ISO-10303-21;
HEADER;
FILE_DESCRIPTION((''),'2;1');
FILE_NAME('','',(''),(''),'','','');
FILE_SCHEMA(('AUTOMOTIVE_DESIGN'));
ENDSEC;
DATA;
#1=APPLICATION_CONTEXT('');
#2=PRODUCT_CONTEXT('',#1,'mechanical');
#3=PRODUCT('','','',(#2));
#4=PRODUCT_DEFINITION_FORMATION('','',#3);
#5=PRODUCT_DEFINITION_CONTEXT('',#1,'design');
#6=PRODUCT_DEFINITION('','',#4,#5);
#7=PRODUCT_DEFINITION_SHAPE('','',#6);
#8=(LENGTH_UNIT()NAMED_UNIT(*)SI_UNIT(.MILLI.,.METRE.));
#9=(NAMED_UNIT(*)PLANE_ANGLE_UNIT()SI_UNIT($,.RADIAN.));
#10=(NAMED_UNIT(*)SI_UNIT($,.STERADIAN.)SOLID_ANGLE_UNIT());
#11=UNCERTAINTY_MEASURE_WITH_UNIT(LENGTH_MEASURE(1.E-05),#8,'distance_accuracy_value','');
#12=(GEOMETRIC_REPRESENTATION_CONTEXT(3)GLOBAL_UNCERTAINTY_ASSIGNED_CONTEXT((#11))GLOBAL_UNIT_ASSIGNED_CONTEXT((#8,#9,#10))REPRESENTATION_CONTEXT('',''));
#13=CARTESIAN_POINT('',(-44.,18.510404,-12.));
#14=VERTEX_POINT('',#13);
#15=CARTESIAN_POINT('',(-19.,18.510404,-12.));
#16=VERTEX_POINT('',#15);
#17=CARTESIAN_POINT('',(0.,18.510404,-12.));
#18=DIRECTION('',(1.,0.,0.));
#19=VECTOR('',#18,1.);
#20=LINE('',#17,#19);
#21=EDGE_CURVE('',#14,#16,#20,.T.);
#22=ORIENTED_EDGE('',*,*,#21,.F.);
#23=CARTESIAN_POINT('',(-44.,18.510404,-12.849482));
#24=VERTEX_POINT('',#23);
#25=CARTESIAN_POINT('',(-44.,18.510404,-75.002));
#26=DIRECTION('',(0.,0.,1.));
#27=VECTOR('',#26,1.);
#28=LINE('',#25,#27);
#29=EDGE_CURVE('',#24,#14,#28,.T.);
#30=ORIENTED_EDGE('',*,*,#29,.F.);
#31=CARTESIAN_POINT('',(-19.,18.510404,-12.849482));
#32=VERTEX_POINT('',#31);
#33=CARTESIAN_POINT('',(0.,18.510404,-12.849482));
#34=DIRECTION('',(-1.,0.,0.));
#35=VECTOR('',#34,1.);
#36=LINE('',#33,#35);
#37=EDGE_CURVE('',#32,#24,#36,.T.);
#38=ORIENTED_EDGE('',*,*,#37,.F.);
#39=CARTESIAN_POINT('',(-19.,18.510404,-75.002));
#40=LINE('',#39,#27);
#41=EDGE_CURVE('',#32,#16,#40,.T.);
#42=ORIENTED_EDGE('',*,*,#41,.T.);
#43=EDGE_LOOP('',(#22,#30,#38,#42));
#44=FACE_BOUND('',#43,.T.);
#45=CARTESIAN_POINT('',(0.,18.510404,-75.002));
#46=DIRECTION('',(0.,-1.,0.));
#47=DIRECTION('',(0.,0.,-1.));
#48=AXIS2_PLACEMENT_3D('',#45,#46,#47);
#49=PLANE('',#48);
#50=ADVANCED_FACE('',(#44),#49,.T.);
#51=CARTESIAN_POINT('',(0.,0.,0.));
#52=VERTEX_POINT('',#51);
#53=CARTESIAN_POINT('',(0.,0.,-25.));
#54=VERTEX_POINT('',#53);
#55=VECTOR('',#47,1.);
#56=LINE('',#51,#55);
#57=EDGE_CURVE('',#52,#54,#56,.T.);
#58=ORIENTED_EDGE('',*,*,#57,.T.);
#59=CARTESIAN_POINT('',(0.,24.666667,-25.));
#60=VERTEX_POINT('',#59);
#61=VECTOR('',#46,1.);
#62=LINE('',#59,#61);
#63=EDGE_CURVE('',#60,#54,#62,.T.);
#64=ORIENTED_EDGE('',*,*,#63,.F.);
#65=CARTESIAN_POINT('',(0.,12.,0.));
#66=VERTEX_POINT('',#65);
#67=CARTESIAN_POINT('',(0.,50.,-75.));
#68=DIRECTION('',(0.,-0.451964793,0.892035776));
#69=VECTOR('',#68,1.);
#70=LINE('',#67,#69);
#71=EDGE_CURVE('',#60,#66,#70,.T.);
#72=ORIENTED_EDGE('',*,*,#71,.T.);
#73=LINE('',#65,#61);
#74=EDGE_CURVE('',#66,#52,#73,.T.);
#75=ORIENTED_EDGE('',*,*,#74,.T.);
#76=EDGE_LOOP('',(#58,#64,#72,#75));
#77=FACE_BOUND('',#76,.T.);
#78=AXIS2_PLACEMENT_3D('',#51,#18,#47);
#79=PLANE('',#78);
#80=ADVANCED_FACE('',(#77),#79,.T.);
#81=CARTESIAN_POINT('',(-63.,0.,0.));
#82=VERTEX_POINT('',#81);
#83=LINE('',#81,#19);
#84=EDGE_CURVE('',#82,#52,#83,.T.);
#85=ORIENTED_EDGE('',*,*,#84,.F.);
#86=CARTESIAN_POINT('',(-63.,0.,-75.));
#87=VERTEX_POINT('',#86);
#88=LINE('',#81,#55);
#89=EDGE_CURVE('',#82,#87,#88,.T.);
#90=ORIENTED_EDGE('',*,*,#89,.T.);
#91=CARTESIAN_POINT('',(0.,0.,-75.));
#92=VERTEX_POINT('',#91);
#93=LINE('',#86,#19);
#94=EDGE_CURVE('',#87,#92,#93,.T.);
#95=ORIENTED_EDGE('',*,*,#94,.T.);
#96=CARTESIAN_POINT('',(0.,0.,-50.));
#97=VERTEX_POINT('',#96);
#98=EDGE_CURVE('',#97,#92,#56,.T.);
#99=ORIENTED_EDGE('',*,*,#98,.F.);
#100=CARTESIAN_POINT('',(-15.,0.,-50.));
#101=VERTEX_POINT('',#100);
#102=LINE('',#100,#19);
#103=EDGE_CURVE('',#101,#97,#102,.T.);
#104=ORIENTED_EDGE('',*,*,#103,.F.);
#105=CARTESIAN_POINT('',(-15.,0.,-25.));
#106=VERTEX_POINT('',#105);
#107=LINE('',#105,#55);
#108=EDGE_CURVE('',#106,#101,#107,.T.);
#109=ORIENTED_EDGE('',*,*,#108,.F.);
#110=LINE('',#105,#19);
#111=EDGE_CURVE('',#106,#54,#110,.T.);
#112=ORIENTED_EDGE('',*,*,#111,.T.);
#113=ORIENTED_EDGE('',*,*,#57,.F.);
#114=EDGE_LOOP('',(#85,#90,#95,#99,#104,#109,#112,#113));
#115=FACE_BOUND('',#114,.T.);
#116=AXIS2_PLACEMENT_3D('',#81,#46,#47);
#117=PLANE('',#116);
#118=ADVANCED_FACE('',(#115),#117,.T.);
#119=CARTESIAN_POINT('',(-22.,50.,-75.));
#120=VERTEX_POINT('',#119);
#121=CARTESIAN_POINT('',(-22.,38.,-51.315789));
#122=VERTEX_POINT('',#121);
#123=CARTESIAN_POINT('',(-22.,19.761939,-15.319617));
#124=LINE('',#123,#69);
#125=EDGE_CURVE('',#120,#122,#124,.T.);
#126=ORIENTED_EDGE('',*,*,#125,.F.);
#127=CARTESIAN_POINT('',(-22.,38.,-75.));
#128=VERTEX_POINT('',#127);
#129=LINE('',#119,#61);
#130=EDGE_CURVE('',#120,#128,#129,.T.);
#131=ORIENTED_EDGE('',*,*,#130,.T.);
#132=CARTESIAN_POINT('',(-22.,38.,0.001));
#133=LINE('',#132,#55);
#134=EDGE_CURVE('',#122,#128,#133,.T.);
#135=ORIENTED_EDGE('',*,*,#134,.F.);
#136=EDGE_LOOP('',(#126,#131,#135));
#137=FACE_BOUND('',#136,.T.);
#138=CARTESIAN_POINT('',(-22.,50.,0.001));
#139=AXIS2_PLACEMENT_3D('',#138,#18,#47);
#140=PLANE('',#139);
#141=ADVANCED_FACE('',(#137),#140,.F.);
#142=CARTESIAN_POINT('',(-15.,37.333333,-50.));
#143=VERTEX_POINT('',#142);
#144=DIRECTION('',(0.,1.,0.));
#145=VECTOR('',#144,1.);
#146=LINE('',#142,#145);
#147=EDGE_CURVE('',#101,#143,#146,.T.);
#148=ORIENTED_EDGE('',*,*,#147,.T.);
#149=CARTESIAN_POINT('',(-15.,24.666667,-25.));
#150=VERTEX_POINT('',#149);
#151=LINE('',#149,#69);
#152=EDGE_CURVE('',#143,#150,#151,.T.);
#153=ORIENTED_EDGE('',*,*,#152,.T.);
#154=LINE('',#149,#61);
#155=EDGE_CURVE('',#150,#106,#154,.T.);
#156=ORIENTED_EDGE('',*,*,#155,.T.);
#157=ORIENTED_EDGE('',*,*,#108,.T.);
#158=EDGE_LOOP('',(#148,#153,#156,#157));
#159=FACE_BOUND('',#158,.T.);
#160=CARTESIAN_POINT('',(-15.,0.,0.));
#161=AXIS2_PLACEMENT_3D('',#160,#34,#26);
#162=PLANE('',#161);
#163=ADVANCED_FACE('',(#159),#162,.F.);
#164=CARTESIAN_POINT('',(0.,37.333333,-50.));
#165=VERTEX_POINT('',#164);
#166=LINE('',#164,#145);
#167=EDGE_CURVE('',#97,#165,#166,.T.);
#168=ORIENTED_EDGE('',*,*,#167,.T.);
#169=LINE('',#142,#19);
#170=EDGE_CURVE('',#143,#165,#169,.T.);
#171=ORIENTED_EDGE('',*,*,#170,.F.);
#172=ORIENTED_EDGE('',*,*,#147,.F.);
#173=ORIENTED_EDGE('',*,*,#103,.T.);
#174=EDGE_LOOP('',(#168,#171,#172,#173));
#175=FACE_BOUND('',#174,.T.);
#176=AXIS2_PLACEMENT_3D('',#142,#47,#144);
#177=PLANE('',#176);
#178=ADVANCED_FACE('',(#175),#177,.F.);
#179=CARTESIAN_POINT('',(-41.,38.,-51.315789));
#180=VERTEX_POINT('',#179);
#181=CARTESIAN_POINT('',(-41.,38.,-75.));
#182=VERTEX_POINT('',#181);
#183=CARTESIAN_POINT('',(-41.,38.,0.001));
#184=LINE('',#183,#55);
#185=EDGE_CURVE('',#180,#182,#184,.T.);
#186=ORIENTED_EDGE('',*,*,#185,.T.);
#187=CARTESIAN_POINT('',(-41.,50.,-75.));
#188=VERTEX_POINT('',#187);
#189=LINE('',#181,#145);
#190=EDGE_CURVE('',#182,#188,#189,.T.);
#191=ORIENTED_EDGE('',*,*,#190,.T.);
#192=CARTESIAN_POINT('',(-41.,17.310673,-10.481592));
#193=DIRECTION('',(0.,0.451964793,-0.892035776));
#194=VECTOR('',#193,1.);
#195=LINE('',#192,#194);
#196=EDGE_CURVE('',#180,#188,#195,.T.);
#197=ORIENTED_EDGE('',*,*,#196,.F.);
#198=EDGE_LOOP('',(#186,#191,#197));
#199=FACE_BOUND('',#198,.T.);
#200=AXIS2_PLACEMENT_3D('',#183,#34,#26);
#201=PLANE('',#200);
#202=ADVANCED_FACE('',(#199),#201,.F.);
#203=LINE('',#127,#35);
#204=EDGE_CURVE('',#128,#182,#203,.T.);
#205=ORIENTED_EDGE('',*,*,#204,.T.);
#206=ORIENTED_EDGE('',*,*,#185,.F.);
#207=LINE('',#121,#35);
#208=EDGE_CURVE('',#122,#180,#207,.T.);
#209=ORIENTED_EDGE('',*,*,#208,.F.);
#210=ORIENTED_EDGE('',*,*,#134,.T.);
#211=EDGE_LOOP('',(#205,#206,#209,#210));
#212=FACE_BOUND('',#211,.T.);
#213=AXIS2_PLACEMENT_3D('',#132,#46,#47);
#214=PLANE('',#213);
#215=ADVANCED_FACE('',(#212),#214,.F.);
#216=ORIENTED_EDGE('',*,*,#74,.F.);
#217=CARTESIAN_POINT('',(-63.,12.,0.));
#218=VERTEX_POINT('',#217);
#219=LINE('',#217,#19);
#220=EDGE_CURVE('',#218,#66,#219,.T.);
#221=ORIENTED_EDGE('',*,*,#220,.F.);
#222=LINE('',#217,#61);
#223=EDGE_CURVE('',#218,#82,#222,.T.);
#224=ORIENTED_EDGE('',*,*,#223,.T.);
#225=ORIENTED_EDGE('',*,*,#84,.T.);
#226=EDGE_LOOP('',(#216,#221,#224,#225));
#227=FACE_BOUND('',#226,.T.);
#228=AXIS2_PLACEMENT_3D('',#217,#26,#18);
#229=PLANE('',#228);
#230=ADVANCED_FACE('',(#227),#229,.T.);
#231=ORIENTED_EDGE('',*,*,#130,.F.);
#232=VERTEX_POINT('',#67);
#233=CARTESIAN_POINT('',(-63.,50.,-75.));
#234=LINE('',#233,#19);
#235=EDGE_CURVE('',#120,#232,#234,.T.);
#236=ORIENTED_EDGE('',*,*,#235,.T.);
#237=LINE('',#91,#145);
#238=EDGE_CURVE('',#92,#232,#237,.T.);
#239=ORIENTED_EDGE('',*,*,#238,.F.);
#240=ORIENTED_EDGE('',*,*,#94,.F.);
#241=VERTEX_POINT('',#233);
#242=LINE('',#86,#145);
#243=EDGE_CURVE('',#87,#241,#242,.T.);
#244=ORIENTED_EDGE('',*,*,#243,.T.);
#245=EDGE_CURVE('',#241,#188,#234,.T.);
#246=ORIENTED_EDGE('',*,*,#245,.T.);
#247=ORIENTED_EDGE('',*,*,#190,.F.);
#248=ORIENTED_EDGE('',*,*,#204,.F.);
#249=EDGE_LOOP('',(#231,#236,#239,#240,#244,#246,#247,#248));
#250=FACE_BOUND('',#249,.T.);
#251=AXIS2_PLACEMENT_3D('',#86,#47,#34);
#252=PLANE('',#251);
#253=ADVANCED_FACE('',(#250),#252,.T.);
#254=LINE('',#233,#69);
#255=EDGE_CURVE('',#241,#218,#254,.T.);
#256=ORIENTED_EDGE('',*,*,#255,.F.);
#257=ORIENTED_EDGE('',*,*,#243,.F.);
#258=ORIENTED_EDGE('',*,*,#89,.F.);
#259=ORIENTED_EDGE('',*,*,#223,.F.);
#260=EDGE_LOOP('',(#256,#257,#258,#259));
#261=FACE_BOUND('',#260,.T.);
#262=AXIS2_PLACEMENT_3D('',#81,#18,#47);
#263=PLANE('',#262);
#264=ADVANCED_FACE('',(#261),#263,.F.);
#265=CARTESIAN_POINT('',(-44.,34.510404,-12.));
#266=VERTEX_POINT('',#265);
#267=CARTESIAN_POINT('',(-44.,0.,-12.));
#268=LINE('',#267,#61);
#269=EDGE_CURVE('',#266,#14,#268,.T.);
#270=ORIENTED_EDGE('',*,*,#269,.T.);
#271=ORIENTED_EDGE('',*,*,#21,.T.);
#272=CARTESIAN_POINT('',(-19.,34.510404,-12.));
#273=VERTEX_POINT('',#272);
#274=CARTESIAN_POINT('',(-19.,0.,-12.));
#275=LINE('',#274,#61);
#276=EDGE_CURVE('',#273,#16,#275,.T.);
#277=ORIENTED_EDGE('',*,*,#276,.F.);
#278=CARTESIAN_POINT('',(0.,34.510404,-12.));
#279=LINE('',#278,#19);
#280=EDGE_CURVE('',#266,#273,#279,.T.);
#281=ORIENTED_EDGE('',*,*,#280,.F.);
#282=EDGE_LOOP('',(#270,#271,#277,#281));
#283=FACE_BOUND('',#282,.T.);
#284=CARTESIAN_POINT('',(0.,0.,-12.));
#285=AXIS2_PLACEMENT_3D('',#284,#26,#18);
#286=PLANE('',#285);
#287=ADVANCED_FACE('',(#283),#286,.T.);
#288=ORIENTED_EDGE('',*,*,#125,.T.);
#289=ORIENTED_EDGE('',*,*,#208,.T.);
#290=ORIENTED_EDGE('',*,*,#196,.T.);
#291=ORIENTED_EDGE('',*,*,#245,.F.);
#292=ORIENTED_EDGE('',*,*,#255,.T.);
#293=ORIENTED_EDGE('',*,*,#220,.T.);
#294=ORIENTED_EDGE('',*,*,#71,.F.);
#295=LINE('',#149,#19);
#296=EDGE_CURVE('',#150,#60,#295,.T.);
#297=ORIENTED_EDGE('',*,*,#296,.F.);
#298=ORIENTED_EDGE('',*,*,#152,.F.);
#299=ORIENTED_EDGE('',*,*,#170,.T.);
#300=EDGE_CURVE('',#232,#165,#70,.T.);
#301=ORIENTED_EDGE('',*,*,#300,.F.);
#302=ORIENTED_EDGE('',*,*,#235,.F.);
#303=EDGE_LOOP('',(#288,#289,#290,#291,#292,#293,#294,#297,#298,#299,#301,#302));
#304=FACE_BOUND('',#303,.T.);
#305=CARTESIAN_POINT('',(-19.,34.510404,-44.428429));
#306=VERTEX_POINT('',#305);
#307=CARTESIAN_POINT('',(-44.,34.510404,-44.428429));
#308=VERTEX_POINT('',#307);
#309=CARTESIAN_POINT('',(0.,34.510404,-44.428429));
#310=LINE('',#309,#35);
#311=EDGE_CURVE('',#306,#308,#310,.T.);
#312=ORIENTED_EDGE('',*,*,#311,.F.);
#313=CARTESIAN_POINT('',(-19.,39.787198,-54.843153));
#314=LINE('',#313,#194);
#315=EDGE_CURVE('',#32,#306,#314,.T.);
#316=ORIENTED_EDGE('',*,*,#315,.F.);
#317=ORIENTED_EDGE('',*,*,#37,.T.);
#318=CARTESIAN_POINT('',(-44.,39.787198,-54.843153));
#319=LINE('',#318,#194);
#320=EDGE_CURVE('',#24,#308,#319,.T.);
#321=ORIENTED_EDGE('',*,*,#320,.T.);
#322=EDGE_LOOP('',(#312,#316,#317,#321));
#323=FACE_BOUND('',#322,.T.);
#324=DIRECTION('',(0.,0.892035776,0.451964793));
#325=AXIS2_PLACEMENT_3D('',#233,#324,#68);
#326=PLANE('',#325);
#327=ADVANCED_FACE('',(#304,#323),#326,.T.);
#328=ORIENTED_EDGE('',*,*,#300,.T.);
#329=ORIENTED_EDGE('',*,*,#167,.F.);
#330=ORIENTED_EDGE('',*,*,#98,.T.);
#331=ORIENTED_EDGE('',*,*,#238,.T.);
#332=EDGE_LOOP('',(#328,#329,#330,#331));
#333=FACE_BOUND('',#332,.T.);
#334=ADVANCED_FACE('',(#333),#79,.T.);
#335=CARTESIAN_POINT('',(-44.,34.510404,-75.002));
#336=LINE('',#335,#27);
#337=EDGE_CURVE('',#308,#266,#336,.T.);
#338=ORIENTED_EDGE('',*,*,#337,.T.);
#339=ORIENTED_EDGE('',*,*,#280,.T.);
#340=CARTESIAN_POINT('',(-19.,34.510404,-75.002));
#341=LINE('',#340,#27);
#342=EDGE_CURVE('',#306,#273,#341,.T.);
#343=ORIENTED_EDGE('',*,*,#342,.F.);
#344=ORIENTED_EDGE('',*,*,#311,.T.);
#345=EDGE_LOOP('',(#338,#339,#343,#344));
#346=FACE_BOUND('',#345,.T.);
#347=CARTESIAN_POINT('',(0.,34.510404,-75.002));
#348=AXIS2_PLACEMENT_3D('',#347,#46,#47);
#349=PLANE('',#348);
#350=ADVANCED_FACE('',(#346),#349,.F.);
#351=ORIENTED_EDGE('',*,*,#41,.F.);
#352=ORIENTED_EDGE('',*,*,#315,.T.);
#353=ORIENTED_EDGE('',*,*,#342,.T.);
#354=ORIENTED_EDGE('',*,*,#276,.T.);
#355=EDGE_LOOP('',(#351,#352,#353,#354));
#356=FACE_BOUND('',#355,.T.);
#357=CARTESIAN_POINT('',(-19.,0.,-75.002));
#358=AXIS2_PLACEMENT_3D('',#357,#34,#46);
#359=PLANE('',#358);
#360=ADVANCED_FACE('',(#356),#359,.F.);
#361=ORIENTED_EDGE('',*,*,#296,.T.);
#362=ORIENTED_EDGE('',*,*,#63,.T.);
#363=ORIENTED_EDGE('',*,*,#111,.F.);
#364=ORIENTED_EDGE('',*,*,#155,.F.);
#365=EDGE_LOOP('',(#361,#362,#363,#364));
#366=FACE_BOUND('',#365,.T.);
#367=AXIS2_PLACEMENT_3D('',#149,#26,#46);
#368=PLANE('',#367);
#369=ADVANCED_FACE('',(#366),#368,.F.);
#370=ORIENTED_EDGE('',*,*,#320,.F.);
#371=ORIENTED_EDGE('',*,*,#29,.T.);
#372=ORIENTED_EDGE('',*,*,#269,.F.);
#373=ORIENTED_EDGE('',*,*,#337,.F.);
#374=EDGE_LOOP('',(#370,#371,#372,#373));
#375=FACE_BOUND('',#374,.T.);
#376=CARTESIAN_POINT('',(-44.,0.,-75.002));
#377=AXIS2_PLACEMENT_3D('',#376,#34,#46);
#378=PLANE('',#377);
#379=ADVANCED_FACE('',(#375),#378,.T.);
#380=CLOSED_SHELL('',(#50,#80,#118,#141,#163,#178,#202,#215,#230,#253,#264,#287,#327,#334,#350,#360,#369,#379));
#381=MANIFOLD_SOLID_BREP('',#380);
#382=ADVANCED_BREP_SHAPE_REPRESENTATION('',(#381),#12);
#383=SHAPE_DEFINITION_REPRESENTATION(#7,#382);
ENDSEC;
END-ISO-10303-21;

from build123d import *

# Parameters (mm, degrees)
BOSS_EXTRUDE1_DEPTH = 63
CUT_EXTRUDE1_DEPTH  = 15
CUT_EXTRUDE2_REACH  = 111.973
SKETCH3_W           = 19
SKETCH3_H           = 12
BOSS_EXTRUDE2_REACH = 123.973
BOSS_EXTRUDE2_START = -12
SKETCH4_W           = 25
SKETCH4_H           = 16


with BuildPart() as part:
    # Sketch1 → Boss-Extrude1 (new body)
    with BuildSketch(Plane(origin=(0, 0, 0), x_dir=(0, 0, -1), z_dir=(1, 0, 0))):
        Polygon((0, 0), (75, 0), (75, 50), (0, 12), align=None)
    extrude(amount=-BOSS_EXTRUDE1_DEPTH)

    # Sketch2 → Cut-Extrude1 (cut)
    with BuildSketch(Plane(origin=(0, 0, 0), x_dir=(0, 0, -1), z_dir=(1, 0, 0))):
        Polygon((25, 24.666666667), (25, 0), (50, 0), (50, 37.333333333), align=None)
    extrude(amount=-CUT_EXTRUDE1_DEPTH, mode=Mode.SUBTRACT)

    # Sketch3 → Cut-Extrude2 (cut, up to next)
    with BuildSketch(Plane(origin=(0, 0, -75), x_dir=(-1, 0, 0), z_dir=(0, 0, -1)), mode=Mode.PRIVATE) as cut_extrude2_sk1:
        with Locations((31.5, 44)):
            Rectangle(SKETCH3_W, SKETCH3_H)
    cut_extrude2_tool1 = extrude(cut_extrude2_sk1.sketch, amount=-CUT_EXTRUDE2_REACH, mode=Mode.PRIVATE) & part.part
    add(cut_extrude2_tool1.solids().sort_by_distance((-31.5, 44, -75))[0], mode=Mode.SUBTRACT)

    # Boss-Extrude2: up to this plane
    boss_extrude2_end = Plane(origin=(-63, 50, -75), z_dir=(0, 0.8920357760302685, 0.4519647931886695))
    # Sketch4 → Boss-Extrude2 (add, up to the surface)
    with BuildSketch(Plane.XY.offset(BOSS_EXTRUDE2_START), mode=Mode.PRIVATE) as boss_extrude2_sk1:
        with Locations((-31.5, 26.510404023)):
            Rectangle(SKETCH4_W, SKETCH4_H)
    boss_extrude2_tool1 = split(extrude(boss_extrude2_sk1.sketch, amount=-BOSS_EXTRUDE2_REACH, mode=Mode.PRIVATE), bisect_by=boss_extrude2_end, keep=Keep.BOTH, mode=Mode.PRIVATE)
    add(boss_extrude2_tool1.solids().sort_by_distance((-31.5, 26.510404, -12))[0])


solid = part.part
